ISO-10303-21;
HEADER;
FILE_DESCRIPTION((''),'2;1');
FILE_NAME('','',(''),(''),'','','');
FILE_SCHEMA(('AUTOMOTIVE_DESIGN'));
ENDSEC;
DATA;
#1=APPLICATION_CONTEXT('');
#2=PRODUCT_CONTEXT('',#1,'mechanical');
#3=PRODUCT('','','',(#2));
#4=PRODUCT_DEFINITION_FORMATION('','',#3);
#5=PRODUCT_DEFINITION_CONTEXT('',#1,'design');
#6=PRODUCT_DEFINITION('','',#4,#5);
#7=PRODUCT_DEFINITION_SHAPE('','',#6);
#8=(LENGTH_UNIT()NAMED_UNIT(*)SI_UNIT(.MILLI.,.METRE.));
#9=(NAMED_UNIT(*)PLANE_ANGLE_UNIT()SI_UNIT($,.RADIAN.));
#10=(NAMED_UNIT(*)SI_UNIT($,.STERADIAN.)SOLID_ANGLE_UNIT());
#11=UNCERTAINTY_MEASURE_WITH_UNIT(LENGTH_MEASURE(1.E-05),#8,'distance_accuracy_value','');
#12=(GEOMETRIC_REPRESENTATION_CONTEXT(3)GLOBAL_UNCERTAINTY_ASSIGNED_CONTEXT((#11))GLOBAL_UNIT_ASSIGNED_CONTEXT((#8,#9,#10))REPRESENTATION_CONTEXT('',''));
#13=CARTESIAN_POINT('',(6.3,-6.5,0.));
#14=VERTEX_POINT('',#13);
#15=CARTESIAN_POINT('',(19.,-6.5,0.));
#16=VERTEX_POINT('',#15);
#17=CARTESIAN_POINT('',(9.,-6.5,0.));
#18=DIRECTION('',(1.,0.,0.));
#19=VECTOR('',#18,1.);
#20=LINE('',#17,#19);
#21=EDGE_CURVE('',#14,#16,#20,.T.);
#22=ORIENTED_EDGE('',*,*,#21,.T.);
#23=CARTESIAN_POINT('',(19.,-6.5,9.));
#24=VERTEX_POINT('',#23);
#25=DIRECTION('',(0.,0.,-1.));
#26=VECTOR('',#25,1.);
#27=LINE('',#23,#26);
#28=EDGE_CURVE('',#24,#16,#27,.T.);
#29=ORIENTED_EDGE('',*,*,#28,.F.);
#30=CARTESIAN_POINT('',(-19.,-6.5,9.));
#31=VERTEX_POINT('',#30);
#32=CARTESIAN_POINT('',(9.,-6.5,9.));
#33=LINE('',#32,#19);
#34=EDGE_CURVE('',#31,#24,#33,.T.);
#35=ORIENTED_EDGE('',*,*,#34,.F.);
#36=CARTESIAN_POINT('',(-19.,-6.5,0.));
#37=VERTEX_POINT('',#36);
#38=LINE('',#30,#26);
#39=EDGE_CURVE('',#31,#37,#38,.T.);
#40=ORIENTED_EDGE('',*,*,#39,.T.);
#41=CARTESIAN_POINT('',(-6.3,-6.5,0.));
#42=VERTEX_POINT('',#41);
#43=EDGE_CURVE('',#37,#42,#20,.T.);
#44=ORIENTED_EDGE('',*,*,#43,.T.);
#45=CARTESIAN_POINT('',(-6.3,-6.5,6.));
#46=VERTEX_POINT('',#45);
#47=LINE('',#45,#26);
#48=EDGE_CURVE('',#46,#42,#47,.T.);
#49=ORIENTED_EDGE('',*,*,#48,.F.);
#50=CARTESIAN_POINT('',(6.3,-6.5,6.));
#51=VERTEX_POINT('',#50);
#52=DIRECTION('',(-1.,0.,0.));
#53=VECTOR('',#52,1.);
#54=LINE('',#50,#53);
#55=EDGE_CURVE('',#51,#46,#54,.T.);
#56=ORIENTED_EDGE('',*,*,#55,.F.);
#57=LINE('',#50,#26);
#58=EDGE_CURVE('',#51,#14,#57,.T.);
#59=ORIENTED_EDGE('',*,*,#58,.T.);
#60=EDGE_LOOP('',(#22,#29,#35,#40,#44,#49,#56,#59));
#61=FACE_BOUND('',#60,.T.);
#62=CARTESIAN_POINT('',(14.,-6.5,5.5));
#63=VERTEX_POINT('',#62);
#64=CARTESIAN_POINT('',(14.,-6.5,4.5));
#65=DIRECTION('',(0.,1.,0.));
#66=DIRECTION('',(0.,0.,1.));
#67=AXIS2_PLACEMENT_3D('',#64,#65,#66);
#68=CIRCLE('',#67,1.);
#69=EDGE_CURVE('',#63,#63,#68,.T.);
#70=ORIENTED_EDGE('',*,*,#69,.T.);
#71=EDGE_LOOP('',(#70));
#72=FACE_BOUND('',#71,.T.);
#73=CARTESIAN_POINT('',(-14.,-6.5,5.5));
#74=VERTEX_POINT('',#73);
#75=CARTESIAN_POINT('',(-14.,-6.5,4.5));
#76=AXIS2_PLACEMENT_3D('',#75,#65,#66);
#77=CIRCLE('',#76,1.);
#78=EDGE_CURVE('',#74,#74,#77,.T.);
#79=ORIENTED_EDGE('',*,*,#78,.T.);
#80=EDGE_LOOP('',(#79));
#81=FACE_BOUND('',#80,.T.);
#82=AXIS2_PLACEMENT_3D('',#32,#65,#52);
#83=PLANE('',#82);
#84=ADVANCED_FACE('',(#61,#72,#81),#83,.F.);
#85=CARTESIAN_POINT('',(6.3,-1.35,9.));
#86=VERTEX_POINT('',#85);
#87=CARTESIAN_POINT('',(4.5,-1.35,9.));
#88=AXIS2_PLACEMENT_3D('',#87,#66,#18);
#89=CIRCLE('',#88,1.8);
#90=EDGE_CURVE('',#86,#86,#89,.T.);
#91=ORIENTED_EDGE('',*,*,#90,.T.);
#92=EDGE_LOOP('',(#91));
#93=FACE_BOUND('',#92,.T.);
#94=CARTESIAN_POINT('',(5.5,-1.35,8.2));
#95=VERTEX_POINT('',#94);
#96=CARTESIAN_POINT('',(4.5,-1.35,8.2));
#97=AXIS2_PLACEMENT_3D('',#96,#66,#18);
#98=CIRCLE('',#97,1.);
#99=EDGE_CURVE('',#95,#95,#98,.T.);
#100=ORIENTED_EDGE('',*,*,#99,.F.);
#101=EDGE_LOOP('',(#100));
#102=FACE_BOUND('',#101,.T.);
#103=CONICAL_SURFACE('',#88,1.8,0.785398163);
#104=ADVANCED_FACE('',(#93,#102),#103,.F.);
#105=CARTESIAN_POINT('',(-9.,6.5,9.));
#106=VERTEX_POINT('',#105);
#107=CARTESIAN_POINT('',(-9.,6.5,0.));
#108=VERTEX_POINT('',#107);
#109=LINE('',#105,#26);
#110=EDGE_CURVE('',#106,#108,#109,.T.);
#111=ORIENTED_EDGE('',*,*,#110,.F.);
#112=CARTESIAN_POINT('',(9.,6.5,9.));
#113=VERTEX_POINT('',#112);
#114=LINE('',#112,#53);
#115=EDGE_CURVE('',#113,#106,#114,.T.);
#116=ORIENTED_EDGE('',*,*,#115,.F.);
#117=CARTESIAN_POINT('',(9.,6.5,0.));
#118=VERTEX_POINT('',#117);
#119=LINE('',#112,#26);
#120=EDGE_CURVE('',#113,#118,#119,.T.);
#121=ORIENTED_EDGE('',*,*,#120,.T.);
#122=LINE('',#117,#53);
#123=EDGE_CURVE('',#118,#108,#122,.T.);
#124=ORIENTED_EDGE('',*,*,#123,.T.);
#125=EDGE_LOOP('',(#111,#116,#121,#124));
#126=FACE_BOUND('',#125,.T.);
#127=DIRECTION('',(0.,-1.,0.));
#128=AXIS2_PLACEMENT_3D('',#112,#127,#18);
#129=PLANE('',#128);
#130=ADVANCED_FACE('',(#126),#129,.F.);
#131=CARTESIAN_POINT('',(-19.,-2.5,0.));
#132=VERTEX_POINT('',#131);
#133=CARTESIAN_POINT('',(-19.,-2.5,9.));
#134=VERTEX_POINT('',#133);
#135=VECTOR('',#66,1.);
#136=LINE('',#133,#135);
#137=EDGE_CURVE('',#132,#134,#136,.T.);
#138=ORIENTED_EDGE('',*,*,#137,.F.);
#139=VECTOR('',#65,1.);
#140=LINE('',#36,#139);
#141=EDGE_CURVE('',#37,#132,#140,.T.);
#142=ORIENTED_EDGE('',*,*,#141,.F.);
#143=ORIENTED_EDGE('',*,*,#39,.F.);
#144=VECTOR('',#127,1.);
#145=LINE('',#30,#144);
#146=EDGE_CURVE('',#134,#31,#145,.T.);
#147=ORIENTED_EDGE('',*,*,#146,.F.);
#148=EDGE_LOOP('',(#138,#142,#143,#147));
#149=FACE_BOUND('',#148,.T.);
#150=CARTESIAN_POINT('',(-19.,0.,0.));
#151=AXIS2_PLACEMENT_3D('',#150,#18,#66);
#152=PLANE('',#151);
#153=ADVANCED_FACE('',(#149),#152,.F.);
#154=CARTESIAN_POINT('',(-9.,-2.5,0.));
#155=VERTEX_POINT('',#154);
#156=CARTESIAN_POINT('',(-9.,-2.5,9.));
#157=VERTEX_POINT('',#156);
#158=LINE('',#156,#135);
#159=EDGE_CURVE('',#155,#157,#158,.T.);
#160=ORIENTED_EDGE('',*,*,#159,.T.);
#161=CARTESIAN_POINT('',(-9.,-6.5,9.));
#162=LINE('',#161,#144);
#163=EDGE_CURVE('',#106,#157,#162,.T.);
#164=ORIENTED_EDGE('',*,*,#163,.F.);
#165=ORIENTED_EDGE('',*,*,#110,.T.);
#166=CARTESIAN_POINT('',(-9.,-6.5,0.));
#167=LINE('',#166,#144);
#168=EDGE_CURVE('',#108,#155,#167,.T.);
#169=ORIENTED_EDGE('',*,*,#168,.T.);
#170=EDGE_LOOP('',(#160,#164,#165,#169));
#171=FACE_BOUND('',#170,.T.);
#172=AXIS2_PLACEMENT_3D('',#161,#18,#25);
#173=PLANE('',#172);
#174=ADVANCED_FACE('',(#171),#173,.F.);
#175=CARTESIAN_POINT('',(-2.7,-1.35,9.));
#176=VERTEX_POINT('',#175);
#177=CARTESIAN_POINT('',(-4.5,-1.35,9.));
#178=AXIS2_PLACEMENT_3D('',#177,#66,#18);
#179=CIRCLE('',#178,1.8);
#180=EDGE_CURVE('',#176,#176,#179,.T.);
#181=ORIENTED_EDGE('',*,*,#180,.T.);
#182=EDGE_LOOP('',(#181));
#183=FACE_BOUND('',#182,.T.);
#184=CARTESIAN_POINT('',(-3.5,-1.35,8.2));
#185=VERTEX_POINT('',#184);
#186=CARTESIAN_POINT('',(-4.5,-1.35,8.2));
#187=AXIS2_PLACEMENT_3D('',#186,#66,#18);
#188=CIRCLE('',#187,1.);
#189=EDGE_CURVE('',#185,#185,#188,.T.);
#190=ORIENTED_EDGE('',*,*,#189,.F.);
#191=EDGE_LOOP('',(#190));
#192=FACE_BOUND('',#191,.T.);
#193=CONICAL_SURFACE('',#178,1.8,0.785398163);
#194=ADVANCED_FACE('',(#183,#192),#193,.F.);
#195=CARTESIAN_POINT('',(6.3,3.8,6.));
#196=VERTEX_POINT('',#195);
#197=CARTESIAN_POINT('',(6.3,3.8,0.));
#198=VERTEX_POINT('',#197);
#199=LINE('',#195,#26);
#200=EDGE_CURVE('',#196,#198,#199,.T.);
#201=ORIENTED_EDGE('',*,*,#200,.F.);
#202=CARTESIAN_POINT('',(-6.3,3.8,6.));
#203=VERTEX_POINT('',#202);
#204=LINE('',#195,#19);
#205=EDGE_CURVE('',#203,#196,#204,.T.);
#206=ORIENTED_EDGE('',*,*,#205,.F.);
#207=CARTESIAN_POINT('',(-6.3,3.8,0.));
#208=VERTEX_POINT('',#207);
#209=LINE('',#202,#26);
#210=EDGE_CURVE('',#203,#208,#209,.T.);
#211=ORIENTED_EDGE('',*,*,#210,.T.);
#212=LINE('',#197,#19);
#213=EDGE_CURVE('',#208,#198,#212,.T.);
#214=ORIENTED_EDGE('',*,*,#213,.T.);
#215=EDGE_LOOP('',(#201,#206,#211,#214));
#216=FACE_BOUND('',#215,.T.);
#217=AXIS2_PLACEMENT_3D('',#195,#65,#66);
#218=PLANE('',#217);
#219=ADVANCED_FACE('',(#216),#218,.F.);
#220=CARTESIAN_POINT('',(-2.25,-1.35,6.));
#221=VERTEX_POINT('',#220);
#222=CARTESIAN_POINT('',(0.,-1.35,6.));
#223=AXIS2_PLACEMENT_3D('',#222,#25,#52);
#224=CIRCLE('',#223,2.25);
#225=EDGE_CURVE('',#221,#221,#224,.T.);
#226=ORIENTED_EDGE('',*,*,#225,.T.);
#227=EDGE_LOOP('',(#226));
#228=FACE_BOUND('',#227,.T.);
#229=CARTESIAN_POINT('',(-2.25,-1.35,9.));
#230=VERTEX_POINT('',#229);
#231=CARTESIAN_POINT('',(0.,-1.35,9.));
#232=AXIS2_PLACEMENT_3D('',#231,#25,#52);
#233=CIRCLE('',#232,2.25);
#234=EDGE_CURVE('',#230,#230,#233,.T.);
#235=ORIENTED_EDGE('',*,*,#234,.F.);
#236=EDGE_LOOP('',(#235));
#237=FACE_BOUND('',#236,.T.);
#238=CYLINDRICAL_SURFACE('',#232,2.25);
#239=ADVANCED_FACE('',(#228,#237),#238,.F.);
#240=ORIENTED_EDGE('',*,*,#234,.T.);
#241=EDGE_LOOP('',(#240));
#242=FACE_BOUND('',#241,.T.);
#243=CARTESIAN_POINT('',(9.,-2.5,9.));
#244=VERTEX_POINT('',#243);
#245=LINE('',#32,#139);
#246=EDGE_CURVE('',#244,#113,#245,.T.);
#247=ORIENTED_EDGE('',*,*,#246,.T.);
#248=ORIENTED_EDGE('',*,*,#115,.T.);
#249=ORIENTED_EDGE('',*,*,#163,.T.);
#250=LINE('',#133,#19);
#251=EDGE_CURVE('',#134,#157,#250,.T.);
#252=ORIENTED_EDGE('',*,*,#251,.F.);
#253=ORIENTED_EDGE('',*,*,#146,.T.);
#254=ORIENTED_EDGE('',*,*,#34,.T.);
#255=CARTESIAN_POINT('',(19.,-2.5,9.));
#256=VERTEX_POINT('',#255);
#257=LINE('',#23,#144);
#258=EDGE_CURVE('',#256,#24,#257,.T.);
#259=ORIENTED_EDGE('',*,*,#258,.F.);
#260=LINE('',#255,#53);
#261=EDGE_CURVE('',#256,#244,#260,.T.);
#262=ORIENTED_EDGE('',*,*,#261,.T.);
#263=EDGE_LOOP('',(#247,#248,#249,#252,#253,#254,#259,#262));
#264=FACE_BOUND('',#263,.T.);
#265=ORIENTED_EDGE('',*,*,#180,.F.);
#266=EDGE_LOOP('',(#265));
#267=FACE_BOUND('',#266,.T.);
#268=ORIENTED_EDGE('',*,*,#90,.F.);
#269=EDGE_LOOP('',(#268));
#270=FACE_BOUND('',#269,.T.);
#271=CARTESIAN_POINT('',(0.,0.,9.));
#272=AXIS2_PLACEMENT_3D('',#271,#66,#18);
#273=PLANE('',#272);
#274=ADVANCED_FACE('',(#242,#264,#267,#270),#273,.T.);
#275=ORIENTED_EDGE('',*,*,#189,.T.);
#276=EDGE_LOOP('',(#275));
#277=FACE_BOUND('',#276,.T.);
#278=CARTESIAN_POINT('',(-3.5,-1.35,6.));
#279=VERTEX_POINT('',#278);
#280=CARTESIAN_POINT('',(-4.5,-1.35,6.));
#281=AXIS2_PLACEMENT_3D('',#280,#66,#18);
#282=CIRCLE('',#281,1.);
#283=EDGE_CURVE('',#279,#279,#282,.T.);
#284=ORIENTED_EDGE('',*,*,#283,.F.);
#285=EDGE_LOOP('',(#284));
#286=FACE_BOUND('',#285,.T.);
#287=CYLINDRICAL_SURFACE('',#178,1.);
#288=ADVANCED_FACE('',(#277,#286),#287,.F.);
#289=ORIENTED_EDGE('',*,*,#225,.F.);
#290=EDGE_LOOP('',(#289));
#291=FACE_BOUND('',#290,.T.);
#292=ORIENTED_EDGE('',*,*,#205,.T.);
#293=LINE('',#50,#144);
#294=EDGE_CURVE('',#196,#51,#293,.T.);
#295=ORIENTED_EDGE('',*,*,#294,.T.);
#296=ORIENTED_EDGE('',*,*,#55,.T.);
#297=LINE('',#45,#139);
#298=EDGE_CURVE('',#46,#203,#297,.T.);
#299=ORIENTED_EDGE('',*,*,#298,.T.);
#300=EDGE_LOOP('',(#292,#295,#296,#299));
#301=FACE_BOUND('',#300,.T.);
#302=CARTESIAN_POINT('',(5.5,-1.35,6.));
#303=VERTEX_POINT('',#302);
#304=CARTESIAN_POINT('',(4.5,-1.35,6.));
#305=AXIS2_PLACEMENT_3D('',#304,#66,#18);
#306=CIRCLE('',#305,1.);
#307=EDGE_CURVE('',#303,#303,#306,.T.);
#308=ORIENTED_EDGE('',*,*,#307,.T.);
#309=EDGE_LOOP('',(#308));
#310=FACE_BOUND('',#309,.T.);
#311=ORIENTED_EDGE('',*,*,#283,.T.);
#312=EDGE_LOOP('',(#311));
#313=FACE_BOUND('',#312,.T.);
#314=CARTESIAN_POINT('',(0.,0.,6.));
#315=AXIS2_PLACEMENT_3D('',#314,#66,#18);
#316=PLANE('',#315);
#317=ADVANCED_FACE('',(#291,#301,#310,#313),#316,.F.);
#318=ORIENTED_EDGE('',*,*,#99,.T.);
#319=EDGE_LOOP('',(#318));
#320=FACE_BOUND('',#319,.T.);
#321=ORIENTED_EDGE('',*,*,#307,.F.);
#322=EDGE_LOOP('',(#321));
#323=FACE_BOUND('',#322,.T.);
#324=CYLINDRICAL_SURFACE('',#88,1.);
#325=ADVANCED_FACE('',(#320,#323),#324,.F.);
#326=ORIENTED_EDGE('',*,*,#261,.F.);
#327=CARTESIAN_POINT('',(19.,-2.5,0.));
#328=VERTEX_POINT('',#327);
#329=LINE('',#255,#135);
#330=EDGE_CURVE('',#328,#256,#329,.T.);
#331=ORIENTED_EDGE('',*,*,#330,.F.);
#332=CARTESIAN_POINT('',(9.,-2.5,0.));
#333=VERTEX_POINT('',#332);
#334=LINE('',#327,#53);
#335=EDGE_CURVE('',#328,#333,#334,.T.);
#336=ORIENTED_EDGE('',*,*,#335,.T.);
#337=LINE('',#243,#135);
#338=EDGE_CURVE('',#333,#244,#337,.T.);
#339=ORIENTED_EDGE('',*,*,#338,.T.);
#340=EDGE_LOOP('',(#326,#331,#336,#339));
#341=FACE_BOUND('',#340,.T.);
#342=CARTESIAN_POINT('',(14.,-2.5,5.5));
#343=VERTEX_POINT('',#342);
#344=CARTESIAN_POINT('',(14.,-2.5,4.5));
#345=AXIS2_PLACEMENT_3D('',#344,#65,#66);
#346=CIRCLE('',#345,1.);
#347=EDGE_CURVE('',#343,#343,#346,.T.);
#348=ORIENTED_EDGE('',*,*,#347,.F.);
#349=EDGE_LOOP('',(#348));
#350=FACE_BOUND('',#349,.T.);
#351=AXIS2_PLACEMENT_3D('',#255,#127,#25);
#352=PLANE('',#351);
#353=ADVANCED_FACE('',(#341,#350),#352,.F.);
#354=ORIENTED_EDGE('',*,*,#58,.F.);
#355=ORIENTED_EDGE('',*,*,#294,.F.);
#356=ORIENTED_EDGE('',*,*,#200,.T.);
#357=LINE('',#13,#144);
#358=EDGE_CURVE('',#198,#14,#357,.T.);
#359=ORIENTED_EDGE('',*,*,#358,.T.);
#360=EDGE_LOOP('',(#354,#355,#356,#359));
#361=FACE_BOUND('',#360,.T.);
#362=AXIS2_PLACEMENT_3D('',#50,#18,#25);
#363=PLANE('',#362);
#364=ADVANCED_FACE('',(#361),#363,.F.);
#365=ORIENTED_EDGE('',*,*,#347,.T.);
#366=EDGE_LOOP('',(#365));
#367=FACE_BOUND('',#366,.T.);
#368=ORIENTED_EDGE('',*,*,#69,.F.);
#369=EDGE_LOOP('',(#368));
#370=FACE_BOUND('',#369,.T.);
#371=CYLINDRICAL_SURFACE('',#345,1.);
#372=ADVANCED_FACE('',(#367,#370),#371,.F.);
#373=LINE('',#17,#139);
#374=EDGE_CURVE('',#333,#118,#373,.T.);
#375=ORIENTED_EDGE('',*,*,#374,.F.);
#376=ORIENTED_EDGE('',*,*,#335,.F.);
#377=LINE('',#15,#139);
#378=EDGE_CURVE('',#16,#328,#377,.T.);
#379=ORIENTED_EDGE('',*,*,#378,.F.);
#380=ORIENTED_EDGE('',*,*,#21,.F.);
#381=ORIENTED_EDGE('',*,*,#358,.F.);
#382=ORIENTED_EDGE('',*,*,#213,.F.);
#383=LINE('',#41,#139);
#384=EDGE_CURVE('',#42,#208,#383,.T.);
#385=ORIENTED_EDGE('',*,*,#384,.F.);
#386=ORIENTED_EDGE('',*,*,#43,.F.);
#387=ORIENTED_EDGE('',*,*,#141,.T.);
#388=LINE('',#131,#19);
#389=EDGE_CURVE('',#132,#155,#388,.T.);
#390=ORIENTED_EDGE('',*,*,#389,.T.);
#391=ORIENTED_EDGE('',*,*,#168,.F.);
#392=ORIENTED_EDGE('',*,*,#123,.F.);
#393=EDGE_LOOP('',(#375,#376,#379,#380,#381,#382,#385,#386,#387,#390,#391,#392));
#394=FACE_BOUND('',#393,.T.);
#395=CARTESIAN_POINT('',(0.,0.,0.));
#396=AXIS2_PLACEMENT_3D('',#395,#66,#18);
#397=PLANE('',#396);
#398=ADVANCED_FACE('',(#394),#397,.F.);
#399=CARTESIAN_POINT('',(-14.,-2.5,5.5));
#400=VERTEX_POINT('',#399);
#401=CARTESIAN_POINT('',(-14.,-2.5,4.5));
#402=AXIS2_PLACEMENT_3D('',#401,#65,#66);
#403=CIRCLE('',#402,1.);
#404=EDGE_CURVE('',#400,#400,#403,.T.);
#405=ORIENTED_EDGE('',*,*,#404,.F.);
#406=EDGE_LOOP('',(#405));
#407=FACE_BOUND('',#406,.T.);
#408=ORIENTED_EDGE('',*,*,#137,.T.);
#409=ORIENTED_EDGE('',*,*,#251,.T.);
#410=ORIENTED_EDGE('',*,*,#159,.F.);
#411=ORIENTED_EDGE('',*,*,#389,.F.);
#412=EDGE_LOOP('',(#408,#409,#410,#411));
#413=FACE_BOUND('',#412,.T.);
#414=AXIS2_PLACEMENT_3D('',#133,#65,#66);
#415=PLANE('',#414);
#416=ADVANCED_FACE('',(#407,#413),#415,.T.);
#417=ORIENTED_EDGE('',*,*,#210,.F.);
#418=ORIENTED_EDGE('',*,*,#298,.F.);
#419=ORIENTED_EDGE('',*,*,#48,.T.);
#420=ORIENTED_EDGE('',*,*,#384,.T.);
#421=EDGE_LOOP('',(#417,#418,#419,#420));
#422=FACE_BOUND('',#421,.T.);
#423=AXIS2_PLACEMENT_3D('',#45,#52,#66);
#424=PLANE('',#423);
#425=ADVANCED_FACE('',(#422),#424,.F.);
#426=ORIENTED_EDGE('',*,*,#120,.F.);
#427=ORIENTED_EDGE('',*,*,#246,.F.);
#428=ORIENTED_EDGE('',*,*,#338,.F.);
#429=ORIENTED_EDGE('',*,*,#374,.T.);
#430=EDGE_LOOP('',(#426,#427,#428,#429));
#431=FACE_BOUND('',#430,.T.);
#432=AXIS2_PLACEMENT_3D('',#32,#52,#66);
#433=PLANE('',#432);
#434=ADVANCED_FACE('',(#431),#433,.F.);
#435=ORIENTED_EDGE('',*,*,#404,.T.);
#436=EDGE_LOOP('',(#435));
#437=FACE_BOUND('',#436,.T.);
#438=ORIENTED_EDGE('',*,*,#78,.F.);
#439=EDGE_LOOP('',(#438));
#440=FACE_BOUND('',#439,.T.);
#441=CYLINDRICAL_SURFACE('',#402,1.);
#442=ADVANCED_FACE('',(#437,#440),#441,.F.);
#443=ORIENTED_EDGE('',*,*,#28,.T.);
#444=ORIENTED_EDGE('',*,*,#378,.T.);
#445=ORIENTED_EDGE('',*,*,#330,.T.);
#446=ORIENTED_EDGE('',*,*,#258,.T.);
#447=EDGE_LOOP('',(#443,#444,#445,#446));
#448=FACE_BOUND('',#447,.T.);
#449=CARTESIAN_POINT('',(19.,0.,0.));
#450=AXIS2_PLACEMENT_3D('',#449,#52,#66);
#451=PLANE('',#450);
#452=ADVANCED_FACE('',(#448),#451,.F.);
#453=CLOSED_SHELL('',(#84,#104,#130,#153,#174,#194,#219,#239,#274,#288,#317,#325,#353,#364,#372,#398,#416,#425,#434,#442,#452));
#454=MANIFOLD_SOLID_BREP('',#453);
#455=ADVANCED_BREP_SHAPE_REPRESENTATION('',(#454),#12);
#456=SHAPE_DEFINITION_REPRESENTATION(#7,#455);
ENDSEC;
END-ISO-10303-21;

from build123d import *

# Parameters (mm, degrees)
SKETCH3_W                                            = 18
SKETCH3_H                                            = 13
BOSS_EXTRUDE1_DEPTH                                  = 9
SKETCH9_W                                            = 12.6
SKETCH9_H                                            = 10.3
CUT_EXTRUDE2_DEPTH                                   = 6
SKETCH10_R                                           = 2.25
CUT_EXTRUDE3_DEPTH                                   = 13.619429464
CSK_FOR_M1_6_COUNTERSUNK_FLAT_HEAD_SCREW_D           = 2
CSK_FOR_M1_6_COUNTERSUNK_FLAT_HEAD_SCREW_CSINK_D     = 3.6
CSK_FOR_M1_6_COUNTERSUNK_FLAT_HEAD_SCREW_CSINK_ANGLE = 90
SKETCH14_W                                           = 9
SKETCH14_H                                           = 4
BOSS_EXTRUDE2_DEPTH                                  = 10
M1_6_CLEARANCE_HOLE1_D                               = 2


with BuildPart() as part:
    # Sketch3 → Boss-Extrude1 (new body)
    with BuildSketch(Plane.XY):
        Rectangle(SKETCH3_W, SKETCH3_H)
    extrude(amount=BOSS_EXTRUDE1_DEPTH)

    # Sketch9 → Cut-Extrude2 (cut)
    with BuildSketch(Plane(origin=(0, 0, 0), x_dir=(-1, 0, 0), z_dir=(0, 0, -1))):
        with Locations((0, -1.35)):
            Rectangle(SKETCH9_W, SKETCH9_H)
    extrude(amount=-CUT_EXTRUDE2_DEPTH, mode=Mode.SUBTRACT)

    # Sketch10 → Cut-Extrude3 (cut, through all)
    with BuildSketch(Plane(origin=(0, 0, 6), x_dir=(-1, 0, 0), z_dir=(0, 0, -1))):
        with Locations((0, -1.35)):
            Circle(SKETCH10_R)
    extrude(amount=-CUT_EXTRUDE3_DEPTH, mode=Mode.SUBTRACT)

    # CSK for M1.6 Countersunk Flat Head Screw2 (through all)
    with Locations(Plane.XY.offset(9)):
        with Locations((-4.5, -1.35), (4.5, -1.35)):
            CounterSinkHole(CSK_FOR_M1_6_COUNTERSUNK_FLAT_HEAD_SCREW_D / 2, CSK_FOR_M1_6_COUNTERSUNK_FLAT_HEAD_SCREW_CSINK_D / 2, counter_sink_angle=CSK_FOR_M1_6_COUNTERSUNK_FLAT_HEAD_SCREW_CSINK_ANGLE)

    # Sketch14 → Boss-Extrude2 (add)
    with BuildSketch(Plane(origin=(9, 0, 0), x_dir=(0, 0, -1), z_dir=(1, 0, 0))):
        with Locations((-4.5, -4.5)):
            Rectangle(SKETCH14_W, SKETCH14_H)
    boss_extrude2 = extrude(amount=BOSS_EXTRUDE2_DEPTH)

    # M1.6 Clearance Hole1 (through all)
    with Locations(Plane(origin=(0, -2.5, 0), x_dir=(1, 0, 0), z_dir=(0, 1, 0))):
        with Locations((14, -4.5)):
            m1_6_clearance_hole1 = Hole(M1_6_CLEARANCE_HOLE1_D / 2)

    # Mirror2: Boss-Extrude2, M1.6 Clearance Hole1 across plane
    add(boss_extrude2.mirror(Plane(origin=(0, 0, 0), x_dir=(0, 0, 1), z_dir=(1, 0, 0))))
    add(m1_6_clearance_hole1.mirror(Plane(origin=(0, 0, 0), x_dir=(0, 0, 1), z_dir=(1, 0, 0))), mode=Mode.SUBTRACT)


solid = part.part
